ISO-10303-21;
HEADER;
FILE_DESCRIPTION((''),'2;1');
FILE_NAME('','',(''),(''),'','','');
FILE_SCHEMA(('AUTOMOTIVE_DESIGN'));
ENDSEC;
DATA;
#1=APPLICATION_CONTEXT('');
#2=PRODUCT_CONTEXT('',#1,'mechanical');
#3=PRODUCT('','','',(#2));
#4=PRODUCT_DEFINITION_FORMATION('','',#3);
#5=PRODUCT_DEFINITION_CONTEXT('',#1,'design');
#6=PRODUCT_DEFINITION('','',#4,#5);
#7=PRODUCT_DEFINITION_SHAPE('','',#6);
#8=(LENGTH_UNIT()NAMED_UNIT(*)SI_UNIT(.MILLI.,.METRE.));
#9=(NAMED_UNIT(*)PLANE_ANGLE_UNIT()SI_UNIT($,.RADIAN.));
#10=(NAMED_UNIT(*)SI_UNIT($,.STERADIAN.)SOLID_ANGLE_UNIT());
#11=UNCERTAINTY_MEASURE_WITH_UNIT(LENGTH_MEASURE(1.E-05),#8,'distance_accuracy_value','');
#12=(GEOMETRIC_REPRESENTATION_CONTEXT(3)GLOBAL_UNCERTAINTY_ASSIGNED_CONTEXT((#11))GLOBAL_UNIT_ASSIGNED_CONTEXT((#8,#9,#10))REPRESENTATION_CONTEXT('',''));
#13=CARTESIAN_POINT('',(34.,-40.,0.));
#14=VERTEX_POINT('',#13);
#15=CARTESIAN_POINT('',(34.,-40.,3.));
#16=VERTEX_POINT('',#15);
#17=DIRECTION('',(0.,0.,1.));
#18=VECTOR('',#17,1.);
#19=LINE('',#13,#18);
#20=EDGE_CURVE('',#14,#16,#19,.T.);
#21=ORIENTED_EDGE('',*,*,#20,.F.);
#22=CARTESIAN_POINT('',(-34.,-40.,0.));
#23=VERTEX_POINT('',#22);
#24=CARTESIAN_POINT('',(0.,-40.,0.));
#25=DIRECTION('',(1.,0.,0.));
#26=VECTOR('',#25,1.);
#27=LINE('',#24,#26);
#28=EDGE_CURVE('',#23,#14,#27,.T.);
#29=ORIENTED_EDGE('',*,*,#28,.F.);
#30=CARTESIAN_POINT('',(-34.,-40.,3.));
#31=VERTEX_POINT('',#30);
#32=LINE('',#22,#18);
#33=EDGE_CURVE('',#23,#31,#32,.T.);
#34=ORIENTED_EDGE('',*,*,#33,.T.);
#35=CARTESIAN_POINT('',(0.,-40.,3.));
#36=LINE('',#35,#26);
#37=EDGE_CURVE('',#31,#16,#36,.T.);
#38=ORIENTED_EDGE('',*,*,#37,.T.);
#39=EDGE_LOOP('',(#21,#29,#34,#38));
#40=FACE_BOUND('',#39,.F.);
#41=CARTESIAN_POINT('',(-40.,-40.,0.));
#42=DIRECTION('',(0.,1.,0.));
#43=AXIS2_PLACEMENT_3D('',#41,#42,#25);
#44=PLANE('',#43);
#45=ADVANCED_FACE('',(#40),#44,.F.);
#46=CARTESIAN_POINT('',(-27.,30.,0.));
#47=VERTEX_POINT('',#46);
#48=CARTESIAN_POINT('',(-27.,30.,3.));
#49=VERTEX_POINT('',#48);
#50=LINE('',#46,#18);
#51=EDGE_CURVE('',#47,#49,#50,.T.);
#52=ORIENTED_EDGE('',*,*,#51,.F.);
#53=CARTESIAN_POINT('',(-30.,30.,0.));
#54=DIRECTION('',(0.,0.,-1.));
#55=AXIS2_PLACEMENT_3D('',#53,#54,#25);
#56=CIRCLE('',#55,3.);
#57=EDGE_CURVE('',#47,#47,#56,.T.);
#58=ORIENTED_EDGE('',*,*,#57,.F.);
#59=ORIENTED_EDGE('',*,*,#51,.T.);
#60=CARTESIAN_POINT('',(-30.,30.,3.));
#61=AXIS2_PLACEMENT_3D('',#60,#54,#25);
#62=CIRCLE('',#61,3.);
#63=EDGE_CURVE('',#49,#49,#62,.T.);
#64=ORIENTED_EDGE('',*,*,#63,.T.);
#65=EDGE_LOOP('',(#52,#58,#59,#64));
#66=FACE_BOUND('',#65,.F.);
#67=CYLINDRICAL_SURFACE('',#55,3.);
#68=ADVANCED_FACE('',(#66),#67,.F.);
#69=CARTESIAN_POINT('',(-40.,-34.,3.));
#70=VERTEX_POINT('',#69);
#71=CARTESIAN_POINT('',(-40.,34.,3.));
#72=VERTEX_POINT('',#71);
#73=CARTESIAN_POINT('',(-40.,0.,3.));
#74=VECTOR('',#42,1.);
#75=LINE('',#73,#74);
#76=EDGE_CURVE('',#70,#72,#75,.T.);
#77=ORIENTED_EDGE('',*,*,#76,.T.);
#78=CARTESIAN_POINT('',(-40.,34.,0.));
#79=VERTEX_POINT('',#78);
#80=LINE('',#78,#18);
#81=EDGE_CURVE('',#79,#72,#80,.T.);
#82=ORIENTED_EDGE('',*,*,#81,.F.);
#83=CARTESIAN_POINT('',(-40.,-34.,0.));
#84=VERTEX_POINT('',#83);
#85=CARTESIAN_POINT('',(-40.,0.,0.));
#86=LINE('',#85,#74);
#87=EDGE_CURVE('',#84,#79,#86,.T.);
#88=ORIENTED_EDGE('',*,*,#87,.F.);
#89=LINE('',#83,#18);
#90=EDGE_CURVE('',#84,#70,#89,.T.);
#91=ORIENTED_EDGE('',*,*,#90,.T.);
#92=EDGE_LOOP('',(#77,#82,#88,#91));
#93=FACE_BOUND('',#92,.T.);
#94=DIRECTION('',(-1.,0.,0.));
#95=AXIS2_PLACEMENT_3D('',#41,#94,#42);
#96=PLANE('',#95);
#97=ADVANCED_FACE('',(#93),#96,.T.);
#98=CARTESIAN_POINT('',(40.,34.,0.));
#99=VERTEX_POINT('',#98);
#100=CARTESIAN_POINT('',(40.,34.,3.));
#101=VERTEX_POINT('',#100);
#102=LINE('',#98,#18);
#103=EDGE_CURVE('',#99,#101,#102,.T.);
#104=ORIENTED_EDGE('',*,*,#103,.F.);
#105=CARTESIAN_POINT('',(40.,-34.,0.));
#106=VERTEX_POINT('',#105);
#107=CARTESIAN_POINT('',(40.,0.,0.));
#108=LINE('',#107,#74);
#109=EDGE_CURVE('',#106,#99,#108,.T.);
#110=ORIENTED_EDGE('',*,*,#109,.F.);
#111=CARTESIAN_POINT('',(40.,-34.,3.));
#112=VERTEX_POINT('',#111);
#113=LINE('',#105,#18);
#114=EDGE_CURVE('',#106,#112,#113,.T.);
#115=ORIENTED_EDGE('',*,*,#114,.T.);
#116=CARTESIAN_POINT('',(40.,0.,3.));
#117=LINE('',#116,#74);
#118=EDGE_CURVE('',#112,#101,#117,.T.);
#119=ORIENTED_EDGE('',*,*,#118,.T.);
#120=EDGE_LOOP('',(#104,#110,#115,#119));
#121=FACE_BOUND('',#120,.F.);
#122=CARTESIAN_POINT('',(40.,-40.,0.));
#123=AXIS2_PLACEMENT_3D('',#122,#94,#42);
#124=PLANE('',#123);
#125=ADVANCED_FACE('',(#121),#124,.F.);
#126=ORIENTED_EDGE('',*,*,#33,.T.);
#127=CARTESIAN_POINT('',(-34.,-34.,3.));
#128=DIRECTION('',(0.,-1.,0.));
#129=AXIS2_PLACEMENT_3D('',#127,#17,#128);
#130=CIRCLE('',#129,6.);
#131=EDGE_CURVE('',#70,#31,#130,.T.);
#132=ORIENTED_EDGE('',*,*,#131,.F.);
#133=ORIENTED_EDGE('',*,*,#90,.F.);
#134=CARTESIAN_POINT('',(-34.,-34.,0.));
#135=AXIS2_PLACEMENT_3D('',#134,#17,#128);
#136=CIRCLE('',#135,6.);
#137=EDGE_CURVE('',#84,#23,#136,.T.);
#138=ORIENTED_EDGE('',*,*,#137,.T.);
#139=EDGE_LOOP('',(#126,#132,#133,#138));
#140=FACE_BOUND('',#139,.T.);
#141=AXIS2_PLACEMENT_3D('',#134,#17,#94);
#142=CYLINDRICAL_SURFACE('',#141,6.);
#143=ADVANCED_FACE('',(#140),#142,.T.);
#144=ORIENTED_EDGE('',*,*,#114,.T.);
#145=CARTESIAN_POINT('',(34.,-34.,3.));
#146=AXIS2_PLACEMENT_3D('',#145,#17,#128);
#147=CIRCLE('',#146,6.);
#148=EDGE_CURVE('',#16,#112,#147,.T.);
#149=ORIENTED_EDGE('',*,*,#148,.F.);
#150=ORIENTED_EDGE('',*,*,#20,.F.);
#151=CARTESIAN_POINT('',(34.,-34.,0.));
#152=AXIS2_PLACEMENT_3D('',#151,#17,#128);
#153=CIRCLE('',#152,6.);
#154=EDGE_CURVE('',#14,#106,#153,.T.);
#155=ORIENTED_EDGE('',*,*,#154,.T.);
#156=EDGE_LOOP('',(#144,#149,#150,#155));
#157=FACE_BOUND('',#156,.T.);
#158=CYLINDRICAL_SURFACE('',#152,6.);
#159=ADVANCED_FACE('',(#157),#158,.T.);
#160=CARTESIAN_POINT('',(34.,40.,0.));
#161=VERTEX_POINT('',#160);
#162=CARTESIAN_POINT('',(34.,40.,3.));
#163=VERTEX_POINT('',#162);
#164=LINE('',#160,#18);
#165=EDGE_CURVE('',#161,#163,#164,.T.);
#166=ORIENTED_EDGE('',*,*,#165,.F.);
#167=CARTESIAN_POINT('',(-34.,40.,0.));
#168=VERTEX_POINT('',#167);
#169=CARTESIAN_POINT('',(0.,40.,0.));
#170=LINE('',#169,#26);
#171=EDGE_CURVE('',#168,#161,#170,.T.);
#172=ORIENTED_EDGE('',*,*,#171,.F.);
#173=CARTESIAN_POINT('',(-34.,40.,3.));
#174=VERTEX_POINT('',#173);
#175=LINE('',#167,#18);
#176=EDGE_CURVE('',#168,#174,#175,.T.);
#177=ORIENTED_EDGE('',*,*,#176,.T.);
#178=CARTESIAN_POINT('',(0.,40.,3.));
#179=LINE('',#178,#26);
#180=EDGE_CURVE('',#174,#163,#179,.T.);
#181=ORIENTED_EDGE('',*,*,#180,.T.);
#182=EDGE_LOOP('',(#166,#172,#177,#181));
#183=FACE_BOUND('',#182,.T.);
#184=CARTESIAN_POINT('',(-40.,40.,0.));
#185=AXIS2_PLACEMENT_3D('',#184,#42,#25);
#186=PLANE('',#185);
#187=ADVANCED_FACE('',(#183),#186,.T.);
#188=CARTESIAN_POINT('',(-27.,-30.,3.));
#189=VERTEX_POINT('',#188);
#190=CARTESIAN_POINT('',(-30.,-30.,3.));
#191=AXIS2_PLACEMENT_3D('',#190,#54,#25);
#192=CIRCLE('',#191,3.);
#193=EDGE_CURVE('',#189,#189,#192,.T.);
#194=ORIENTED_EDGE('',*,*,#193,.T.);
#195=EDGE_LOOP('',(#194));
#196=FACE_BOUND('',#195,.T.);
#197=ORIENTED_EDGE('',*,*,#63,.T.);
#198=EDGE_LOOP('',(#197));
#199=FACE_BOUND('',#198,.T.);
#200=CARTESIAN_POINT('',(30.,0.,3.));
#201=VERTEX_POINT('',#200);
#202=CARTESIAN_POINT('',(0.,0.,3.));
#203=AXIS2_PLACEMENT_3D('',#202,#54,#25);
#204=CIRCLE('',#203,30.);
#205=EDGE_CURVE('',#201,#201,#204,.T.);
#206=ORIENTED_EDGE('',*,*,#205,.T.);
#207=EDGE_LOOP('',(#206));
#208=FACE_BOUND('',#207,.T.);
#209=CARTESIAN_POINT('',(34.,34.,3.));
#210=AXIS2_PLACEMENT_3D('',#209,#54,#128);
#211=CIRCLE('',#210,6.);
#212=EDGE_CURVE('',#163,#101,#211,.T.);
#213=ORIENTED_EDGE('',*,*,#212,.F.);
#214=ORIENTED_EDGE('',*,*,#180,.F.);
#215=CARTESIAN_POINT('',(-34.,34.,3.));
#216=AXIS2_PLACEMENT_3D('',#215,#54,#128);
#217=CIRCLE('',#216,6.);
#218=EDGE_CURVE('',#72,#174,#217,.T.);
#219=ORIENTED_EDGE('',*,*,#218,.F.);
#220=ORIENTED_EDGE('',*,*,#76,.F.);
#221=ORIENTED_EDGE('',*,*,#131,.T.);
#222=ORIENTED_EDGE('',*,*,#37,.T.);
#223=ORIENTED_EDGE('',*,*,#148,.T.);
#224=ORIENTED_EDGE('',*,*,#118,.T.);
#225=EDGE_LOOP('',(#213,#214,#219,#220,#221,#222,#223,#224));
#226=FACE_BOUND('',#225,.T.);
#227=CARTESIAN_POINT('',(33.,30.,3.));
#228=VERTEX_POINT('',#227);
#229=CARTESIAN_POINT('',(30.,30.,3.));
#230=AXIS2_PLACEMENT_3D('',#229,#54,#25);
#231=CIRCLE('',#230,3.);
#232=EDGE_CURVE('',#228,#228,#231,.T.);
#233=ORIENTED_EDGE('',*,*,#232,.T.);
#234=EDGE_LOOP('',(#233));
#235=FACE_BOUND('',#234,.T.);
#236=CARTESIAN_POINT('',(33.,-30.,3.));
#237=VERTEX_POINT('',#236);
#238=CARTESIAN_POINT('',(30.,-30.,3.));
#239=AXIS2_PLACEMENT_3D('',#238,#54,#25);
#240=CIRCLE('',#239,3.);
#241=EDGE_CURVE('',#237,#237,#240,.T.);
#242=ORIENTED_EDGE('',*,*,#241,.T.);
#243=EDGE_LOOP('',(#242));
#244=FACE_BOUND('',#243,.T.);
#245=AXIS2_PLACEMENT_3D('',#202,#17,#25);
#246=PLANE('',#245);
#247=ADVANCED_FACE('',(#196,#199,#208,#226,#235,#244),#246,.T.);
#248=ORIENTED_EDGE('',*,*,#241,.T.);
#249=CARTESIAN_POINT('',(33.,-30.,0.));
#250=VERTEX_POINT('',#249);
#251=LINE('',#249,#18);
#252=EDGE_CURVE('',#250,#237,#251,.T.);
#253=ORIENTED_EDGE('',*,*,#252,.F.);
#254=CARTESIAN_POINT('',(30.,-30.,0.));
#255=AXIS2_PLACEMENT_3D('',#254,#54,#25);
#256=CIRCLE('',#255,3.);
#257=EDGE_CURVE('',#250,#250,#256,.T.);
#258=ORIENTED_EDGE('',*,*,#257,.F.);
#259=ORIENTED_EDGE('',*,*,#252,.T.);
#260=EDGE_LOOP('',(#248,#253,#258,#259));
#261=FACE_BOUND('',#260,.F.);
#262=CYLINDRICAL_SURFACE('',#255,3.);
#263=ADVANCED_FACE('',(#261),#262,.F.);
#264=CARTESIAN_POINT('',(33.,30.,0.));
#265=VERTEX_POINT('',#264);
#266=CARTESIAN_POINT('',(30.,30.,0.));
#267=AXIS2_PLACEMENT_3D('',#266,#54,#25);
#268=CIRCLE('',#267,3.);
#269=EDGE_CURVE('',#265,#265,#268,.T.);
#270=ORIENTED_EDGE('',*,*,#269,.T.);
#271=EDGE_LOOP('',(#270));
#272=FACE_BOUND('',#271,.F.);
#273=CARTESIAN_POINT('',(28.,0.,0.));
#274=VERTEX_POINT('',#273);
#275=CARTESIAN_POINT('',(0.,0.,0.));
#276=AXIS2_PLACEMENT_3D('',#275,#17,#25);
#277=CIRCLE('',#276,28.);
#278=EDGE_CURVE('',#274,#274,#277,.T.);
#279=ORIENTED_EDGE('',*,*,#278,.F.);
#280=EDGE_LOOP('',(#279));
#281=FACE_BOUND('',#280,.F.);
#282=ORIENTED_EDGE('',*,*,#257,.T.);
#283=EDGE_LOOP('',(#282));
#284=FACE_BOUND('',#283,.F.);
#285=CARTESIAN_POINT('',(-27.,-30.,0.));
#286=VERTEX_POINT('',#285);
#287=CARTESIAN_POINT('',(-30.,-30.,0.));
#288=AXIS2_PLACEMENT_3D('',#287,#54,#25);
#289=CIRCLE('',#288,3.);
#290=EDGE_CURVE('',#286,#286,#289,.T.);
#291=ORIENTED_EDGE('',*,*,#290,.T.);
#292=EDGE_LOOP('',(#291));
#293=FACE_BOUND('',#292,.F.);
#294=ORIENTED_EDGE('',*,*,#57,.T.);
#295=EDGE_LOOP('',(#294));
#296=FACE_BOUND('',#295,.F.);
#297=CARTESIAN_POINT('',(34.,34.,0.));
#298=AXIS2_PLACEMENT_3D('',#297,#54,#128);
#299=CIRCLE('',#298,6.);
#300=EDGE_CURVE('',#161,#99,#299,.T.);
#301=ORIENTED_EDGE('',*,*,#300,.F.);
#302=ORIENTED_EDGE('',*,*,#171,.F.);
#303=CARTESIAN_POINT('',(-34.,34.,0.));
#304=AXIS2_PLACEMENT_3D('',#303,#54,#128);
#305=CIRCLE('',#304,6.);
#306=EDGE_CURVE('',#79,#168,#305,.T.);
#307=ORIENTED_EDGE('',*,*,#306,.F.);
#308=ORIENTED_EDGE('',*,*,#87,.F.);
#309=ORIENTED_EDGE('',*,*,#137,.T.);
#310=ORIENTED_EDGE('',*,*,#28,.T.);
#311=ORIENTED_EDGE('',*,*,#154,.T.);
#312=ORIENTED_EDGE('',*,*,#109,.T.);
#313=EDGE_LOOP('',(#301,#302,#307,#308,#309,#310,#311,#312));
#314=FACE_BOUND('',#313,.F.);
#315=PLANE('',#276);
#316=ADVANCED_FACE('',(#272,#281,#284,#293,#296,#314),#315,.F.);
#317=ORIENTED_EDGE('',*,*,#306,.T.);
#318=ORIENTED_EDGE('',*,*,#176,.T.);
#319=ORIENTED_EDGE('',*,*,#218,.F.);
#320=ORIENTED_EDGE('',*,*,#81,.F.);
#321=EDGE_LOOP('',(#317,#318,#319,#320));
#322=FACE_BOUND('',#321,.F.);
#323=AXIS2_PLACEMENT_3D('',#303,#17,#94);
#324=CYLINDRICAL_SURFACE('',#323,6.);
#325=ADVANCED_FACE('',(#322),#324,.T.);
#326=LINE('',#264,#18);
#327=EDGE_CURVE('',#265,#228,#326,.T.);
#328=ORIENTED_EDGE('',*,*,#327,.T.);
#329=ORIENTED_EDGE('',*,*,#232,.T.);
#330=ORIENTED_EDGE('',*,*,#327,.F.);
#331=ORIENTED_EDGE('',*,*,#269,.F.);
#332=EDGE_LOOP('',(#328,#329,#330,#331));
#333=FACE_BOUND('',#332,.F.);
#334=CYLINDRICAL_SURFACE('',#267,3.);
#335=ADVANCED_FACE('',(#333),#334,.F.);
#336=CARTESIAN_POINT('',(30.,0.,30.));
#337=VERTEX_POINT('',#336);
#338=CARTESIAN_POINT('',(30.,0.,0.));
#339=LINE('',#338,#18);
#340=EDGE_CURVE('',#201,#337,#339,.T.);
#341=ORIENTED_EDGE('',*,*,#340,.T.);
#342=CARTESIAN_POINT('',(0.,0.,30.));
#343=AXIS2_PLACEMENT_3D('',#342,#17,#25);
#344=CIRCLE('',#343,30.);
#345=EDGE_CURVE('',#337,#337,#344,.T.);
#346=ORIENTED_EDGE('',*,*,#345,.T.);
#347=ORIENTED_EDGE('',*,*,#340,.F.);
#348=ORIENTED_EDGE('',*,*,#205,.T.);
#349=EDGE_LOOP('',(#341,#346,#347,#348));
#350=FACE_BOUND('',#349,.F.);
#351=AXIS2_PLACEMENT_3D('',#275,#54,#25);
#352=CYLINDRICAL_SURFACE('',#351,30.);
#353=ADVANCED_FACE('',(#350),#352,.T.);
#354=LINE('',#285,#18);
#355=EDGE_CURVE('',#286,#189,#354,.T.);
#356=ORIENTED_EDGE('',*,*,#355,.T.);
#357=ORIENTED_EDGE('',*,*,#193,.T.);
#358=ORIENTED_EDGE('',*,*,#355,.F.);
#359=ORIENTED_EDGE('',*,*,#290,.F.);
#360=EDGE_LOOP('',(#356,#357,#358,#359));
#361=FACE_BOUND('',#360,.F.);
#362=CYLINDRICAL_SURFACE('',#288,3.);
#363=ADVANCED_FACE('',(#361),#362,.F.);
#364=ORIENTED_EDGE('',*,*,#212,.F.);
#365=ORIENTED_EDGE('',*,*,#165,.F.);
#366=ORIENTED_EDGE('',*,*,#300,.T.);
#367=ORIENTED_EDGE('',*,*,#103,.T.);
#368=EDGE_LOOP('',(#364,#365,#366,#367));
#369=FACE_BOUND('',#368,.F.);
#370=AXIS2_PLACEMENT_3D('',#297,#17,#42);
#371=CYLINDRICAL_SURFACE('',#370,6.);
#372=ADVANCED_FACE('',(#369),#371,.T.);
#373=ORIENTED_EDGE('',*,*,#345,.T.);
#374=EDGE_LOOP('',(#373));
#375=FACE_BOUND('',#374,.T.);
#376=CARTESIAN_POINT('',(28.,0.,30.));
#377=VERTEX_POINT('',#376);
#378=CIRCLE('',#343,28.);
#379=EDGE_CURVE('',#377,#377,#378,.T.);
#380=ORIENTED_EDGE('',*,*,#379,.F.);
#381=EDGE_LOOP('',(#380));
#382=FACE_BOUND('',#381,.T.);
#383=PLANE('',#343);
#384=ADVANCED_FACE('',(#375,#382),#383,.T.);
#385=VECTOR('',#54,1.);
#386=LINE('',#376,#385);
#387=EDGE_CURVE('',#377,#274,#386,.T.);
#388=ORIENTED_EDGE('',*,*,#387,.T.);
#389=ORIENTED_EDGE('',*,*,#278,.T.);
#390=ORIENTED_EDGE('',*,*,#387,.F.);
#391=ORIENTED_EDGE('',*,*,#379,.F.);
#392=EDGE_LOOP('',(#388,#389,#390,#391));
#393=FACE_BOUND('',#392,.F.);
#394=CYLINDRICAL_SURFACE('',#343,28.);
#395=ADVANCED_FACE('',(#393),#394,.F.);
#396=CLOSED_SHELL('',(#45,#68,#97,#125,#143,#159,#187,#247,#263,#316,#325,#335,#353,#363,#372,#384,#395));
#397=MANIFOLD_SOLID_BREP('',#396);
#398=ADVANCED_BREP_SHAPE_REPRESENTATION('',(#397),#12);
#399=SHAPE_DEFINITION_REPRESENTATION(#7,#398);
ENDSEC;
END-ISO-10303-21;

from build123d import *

# Parameters (mm, degrees)
SKETCH_R        = 30
PAD_DEPTH       = 30
SKETCH001_W     = 80
SKETCH001_H     = 80
PAD001_DEPTH    = 3
SKETCH002_R     = 28
POCKET_DEPTH    = 53
SKETCH003_R     = 3
POCKET001_DEPTH = 3
FILLET_R        = 6


with BuildPart() as part:
    # Sketch → Pad (new body)
    with BuildSketch(Plane.XY):
        Circle(SKETCH_R)
    extrude(amount=PAD_DEPTH)

    # Sketch001 → Pad001 (join)
    with BuildSketch(Plane.XY):
        Rectangle(SKETCH001_W, SKETCH001_H)
    extrude(amount=PAD001_DEPTH)

    # Sketch002 (on Face9 of Pad001) → Pocket (cut)
    with BuildSketch(Plane.XY.offset(30)):
        Circle(SKETCH002_R)
    extrude(amount=-POCKET_DEPTH, mode=Mode.SUBTRACT)

    # Sketch003 (on Face2 of Pocket) → Pocket001 (cut)
    with BuildSketch(Plane(origin=(0, 0, 0), x_dir=(1, 0, 0), z_dir=(0, 0, -1))):
        with Locations((-30, 30)):
            Circle(SKETCH003_R)
        with Locations((30, 30)):
            Circle(SKETCH003_R)
        with Locations((30, -30)):
            Circle(SKETCH003_R)
        with Locations((-30, -30)):
            Circle(SKETCH003_R)
    extrude(amount=-POCKET001_DEPTH, mode=Mode.SUBTRACT)

    # Fillet
    fillet_edges = [part.edges().sort_by_distance(p)[0] for p in [
        (-40, -40, 1.5),
        (40, -40, 1.5),
        (40, 40, 1.5),
        (-40, 40, 1.5),
    ]]
    fillet(fillet_edges, radius=FILLET_R)


solid = part.part
